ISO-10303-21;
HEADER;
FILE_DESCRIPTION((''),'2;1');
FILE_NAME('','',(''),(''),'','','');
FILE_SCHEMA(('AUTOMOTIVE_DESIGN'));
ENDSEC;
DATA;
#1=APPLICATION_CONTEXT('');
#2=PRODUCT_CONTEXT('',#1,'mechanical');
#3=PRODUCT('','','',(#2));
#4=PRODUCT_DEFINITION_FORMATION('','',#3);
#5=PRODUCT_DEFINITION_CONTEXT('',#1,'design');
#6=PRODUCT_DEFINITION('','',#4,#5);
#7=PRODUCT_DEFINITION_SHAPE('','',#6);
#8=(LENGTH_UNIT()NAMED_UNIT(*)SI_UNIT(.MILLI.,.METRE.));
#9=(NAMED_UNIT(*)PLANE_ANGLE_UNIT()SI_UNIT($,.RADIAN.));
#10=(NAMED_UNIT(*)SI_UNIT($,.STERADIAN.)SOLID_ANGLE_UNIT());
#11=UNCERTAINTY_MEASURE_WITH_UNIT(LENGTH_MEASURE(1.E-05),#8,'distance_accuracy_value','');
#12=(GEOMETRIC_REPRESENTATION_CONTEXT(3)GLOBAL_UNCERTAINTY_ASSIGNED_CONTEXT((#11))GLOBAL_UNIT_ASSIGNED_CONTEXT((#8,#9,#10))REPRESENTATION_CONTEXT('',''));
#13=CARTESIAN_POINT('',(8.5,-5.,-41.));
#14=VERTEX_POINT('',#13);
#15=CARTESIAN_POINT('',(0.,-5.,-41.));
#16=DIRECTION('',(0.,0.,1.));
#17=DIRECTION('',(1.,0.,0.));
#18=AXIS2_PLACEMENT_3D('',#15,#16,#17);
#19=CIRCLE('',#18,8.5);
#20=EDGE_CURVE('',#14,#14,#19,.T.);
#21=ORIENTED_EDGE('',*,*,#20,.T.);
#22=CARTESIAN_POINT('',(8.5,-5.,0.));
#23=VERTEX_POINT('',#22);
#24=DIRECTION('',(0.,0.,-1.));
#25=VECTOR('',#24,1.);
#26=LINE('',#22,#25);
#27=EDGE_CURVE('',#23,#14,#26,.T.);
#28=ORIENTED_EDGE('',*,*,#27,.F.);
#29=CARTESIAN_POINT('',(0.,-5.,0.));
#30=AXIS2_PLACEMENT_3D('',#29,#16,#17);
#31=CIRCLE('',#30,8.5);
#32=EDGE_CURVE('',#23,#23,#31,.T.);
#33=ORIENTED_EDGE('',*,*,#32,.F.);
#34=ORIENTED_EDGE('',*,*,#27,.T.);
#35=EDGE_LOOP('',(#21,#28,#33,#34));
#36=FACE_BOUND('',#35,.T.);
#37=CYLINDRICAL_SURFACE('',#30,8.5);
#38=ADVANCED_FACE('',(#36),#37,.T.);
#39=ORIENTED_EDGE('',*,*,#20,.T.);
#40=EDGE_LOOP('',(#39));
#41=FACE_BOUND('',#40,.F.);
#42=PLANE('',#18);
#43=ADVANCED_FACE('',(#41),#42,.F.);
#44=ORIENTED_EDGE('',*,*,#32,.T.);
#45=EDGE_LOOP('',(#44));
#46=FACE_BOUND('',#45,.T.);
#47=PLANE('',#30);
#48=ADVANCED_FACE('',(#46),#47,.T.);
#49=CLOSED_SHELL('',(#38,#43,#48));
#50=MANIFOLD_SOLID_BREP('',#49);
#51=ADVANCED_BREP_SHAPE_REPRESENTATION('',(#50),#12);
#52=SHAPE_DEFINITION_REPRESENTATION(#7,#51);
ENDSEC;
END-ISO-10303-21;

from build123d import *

# Parameters (mm, degrees)
F0_R     = 8.5
F1_DEPTH = 41


with BuildPart() as f1:
    # F0 (on Top) → F1 (new body)
    with BuildSketch(Plane.XY):
        with Locations((0, -5)):
            Circle(F0_R)
    extrude(amount=-F1_DEPTH)


solid = f1.part
